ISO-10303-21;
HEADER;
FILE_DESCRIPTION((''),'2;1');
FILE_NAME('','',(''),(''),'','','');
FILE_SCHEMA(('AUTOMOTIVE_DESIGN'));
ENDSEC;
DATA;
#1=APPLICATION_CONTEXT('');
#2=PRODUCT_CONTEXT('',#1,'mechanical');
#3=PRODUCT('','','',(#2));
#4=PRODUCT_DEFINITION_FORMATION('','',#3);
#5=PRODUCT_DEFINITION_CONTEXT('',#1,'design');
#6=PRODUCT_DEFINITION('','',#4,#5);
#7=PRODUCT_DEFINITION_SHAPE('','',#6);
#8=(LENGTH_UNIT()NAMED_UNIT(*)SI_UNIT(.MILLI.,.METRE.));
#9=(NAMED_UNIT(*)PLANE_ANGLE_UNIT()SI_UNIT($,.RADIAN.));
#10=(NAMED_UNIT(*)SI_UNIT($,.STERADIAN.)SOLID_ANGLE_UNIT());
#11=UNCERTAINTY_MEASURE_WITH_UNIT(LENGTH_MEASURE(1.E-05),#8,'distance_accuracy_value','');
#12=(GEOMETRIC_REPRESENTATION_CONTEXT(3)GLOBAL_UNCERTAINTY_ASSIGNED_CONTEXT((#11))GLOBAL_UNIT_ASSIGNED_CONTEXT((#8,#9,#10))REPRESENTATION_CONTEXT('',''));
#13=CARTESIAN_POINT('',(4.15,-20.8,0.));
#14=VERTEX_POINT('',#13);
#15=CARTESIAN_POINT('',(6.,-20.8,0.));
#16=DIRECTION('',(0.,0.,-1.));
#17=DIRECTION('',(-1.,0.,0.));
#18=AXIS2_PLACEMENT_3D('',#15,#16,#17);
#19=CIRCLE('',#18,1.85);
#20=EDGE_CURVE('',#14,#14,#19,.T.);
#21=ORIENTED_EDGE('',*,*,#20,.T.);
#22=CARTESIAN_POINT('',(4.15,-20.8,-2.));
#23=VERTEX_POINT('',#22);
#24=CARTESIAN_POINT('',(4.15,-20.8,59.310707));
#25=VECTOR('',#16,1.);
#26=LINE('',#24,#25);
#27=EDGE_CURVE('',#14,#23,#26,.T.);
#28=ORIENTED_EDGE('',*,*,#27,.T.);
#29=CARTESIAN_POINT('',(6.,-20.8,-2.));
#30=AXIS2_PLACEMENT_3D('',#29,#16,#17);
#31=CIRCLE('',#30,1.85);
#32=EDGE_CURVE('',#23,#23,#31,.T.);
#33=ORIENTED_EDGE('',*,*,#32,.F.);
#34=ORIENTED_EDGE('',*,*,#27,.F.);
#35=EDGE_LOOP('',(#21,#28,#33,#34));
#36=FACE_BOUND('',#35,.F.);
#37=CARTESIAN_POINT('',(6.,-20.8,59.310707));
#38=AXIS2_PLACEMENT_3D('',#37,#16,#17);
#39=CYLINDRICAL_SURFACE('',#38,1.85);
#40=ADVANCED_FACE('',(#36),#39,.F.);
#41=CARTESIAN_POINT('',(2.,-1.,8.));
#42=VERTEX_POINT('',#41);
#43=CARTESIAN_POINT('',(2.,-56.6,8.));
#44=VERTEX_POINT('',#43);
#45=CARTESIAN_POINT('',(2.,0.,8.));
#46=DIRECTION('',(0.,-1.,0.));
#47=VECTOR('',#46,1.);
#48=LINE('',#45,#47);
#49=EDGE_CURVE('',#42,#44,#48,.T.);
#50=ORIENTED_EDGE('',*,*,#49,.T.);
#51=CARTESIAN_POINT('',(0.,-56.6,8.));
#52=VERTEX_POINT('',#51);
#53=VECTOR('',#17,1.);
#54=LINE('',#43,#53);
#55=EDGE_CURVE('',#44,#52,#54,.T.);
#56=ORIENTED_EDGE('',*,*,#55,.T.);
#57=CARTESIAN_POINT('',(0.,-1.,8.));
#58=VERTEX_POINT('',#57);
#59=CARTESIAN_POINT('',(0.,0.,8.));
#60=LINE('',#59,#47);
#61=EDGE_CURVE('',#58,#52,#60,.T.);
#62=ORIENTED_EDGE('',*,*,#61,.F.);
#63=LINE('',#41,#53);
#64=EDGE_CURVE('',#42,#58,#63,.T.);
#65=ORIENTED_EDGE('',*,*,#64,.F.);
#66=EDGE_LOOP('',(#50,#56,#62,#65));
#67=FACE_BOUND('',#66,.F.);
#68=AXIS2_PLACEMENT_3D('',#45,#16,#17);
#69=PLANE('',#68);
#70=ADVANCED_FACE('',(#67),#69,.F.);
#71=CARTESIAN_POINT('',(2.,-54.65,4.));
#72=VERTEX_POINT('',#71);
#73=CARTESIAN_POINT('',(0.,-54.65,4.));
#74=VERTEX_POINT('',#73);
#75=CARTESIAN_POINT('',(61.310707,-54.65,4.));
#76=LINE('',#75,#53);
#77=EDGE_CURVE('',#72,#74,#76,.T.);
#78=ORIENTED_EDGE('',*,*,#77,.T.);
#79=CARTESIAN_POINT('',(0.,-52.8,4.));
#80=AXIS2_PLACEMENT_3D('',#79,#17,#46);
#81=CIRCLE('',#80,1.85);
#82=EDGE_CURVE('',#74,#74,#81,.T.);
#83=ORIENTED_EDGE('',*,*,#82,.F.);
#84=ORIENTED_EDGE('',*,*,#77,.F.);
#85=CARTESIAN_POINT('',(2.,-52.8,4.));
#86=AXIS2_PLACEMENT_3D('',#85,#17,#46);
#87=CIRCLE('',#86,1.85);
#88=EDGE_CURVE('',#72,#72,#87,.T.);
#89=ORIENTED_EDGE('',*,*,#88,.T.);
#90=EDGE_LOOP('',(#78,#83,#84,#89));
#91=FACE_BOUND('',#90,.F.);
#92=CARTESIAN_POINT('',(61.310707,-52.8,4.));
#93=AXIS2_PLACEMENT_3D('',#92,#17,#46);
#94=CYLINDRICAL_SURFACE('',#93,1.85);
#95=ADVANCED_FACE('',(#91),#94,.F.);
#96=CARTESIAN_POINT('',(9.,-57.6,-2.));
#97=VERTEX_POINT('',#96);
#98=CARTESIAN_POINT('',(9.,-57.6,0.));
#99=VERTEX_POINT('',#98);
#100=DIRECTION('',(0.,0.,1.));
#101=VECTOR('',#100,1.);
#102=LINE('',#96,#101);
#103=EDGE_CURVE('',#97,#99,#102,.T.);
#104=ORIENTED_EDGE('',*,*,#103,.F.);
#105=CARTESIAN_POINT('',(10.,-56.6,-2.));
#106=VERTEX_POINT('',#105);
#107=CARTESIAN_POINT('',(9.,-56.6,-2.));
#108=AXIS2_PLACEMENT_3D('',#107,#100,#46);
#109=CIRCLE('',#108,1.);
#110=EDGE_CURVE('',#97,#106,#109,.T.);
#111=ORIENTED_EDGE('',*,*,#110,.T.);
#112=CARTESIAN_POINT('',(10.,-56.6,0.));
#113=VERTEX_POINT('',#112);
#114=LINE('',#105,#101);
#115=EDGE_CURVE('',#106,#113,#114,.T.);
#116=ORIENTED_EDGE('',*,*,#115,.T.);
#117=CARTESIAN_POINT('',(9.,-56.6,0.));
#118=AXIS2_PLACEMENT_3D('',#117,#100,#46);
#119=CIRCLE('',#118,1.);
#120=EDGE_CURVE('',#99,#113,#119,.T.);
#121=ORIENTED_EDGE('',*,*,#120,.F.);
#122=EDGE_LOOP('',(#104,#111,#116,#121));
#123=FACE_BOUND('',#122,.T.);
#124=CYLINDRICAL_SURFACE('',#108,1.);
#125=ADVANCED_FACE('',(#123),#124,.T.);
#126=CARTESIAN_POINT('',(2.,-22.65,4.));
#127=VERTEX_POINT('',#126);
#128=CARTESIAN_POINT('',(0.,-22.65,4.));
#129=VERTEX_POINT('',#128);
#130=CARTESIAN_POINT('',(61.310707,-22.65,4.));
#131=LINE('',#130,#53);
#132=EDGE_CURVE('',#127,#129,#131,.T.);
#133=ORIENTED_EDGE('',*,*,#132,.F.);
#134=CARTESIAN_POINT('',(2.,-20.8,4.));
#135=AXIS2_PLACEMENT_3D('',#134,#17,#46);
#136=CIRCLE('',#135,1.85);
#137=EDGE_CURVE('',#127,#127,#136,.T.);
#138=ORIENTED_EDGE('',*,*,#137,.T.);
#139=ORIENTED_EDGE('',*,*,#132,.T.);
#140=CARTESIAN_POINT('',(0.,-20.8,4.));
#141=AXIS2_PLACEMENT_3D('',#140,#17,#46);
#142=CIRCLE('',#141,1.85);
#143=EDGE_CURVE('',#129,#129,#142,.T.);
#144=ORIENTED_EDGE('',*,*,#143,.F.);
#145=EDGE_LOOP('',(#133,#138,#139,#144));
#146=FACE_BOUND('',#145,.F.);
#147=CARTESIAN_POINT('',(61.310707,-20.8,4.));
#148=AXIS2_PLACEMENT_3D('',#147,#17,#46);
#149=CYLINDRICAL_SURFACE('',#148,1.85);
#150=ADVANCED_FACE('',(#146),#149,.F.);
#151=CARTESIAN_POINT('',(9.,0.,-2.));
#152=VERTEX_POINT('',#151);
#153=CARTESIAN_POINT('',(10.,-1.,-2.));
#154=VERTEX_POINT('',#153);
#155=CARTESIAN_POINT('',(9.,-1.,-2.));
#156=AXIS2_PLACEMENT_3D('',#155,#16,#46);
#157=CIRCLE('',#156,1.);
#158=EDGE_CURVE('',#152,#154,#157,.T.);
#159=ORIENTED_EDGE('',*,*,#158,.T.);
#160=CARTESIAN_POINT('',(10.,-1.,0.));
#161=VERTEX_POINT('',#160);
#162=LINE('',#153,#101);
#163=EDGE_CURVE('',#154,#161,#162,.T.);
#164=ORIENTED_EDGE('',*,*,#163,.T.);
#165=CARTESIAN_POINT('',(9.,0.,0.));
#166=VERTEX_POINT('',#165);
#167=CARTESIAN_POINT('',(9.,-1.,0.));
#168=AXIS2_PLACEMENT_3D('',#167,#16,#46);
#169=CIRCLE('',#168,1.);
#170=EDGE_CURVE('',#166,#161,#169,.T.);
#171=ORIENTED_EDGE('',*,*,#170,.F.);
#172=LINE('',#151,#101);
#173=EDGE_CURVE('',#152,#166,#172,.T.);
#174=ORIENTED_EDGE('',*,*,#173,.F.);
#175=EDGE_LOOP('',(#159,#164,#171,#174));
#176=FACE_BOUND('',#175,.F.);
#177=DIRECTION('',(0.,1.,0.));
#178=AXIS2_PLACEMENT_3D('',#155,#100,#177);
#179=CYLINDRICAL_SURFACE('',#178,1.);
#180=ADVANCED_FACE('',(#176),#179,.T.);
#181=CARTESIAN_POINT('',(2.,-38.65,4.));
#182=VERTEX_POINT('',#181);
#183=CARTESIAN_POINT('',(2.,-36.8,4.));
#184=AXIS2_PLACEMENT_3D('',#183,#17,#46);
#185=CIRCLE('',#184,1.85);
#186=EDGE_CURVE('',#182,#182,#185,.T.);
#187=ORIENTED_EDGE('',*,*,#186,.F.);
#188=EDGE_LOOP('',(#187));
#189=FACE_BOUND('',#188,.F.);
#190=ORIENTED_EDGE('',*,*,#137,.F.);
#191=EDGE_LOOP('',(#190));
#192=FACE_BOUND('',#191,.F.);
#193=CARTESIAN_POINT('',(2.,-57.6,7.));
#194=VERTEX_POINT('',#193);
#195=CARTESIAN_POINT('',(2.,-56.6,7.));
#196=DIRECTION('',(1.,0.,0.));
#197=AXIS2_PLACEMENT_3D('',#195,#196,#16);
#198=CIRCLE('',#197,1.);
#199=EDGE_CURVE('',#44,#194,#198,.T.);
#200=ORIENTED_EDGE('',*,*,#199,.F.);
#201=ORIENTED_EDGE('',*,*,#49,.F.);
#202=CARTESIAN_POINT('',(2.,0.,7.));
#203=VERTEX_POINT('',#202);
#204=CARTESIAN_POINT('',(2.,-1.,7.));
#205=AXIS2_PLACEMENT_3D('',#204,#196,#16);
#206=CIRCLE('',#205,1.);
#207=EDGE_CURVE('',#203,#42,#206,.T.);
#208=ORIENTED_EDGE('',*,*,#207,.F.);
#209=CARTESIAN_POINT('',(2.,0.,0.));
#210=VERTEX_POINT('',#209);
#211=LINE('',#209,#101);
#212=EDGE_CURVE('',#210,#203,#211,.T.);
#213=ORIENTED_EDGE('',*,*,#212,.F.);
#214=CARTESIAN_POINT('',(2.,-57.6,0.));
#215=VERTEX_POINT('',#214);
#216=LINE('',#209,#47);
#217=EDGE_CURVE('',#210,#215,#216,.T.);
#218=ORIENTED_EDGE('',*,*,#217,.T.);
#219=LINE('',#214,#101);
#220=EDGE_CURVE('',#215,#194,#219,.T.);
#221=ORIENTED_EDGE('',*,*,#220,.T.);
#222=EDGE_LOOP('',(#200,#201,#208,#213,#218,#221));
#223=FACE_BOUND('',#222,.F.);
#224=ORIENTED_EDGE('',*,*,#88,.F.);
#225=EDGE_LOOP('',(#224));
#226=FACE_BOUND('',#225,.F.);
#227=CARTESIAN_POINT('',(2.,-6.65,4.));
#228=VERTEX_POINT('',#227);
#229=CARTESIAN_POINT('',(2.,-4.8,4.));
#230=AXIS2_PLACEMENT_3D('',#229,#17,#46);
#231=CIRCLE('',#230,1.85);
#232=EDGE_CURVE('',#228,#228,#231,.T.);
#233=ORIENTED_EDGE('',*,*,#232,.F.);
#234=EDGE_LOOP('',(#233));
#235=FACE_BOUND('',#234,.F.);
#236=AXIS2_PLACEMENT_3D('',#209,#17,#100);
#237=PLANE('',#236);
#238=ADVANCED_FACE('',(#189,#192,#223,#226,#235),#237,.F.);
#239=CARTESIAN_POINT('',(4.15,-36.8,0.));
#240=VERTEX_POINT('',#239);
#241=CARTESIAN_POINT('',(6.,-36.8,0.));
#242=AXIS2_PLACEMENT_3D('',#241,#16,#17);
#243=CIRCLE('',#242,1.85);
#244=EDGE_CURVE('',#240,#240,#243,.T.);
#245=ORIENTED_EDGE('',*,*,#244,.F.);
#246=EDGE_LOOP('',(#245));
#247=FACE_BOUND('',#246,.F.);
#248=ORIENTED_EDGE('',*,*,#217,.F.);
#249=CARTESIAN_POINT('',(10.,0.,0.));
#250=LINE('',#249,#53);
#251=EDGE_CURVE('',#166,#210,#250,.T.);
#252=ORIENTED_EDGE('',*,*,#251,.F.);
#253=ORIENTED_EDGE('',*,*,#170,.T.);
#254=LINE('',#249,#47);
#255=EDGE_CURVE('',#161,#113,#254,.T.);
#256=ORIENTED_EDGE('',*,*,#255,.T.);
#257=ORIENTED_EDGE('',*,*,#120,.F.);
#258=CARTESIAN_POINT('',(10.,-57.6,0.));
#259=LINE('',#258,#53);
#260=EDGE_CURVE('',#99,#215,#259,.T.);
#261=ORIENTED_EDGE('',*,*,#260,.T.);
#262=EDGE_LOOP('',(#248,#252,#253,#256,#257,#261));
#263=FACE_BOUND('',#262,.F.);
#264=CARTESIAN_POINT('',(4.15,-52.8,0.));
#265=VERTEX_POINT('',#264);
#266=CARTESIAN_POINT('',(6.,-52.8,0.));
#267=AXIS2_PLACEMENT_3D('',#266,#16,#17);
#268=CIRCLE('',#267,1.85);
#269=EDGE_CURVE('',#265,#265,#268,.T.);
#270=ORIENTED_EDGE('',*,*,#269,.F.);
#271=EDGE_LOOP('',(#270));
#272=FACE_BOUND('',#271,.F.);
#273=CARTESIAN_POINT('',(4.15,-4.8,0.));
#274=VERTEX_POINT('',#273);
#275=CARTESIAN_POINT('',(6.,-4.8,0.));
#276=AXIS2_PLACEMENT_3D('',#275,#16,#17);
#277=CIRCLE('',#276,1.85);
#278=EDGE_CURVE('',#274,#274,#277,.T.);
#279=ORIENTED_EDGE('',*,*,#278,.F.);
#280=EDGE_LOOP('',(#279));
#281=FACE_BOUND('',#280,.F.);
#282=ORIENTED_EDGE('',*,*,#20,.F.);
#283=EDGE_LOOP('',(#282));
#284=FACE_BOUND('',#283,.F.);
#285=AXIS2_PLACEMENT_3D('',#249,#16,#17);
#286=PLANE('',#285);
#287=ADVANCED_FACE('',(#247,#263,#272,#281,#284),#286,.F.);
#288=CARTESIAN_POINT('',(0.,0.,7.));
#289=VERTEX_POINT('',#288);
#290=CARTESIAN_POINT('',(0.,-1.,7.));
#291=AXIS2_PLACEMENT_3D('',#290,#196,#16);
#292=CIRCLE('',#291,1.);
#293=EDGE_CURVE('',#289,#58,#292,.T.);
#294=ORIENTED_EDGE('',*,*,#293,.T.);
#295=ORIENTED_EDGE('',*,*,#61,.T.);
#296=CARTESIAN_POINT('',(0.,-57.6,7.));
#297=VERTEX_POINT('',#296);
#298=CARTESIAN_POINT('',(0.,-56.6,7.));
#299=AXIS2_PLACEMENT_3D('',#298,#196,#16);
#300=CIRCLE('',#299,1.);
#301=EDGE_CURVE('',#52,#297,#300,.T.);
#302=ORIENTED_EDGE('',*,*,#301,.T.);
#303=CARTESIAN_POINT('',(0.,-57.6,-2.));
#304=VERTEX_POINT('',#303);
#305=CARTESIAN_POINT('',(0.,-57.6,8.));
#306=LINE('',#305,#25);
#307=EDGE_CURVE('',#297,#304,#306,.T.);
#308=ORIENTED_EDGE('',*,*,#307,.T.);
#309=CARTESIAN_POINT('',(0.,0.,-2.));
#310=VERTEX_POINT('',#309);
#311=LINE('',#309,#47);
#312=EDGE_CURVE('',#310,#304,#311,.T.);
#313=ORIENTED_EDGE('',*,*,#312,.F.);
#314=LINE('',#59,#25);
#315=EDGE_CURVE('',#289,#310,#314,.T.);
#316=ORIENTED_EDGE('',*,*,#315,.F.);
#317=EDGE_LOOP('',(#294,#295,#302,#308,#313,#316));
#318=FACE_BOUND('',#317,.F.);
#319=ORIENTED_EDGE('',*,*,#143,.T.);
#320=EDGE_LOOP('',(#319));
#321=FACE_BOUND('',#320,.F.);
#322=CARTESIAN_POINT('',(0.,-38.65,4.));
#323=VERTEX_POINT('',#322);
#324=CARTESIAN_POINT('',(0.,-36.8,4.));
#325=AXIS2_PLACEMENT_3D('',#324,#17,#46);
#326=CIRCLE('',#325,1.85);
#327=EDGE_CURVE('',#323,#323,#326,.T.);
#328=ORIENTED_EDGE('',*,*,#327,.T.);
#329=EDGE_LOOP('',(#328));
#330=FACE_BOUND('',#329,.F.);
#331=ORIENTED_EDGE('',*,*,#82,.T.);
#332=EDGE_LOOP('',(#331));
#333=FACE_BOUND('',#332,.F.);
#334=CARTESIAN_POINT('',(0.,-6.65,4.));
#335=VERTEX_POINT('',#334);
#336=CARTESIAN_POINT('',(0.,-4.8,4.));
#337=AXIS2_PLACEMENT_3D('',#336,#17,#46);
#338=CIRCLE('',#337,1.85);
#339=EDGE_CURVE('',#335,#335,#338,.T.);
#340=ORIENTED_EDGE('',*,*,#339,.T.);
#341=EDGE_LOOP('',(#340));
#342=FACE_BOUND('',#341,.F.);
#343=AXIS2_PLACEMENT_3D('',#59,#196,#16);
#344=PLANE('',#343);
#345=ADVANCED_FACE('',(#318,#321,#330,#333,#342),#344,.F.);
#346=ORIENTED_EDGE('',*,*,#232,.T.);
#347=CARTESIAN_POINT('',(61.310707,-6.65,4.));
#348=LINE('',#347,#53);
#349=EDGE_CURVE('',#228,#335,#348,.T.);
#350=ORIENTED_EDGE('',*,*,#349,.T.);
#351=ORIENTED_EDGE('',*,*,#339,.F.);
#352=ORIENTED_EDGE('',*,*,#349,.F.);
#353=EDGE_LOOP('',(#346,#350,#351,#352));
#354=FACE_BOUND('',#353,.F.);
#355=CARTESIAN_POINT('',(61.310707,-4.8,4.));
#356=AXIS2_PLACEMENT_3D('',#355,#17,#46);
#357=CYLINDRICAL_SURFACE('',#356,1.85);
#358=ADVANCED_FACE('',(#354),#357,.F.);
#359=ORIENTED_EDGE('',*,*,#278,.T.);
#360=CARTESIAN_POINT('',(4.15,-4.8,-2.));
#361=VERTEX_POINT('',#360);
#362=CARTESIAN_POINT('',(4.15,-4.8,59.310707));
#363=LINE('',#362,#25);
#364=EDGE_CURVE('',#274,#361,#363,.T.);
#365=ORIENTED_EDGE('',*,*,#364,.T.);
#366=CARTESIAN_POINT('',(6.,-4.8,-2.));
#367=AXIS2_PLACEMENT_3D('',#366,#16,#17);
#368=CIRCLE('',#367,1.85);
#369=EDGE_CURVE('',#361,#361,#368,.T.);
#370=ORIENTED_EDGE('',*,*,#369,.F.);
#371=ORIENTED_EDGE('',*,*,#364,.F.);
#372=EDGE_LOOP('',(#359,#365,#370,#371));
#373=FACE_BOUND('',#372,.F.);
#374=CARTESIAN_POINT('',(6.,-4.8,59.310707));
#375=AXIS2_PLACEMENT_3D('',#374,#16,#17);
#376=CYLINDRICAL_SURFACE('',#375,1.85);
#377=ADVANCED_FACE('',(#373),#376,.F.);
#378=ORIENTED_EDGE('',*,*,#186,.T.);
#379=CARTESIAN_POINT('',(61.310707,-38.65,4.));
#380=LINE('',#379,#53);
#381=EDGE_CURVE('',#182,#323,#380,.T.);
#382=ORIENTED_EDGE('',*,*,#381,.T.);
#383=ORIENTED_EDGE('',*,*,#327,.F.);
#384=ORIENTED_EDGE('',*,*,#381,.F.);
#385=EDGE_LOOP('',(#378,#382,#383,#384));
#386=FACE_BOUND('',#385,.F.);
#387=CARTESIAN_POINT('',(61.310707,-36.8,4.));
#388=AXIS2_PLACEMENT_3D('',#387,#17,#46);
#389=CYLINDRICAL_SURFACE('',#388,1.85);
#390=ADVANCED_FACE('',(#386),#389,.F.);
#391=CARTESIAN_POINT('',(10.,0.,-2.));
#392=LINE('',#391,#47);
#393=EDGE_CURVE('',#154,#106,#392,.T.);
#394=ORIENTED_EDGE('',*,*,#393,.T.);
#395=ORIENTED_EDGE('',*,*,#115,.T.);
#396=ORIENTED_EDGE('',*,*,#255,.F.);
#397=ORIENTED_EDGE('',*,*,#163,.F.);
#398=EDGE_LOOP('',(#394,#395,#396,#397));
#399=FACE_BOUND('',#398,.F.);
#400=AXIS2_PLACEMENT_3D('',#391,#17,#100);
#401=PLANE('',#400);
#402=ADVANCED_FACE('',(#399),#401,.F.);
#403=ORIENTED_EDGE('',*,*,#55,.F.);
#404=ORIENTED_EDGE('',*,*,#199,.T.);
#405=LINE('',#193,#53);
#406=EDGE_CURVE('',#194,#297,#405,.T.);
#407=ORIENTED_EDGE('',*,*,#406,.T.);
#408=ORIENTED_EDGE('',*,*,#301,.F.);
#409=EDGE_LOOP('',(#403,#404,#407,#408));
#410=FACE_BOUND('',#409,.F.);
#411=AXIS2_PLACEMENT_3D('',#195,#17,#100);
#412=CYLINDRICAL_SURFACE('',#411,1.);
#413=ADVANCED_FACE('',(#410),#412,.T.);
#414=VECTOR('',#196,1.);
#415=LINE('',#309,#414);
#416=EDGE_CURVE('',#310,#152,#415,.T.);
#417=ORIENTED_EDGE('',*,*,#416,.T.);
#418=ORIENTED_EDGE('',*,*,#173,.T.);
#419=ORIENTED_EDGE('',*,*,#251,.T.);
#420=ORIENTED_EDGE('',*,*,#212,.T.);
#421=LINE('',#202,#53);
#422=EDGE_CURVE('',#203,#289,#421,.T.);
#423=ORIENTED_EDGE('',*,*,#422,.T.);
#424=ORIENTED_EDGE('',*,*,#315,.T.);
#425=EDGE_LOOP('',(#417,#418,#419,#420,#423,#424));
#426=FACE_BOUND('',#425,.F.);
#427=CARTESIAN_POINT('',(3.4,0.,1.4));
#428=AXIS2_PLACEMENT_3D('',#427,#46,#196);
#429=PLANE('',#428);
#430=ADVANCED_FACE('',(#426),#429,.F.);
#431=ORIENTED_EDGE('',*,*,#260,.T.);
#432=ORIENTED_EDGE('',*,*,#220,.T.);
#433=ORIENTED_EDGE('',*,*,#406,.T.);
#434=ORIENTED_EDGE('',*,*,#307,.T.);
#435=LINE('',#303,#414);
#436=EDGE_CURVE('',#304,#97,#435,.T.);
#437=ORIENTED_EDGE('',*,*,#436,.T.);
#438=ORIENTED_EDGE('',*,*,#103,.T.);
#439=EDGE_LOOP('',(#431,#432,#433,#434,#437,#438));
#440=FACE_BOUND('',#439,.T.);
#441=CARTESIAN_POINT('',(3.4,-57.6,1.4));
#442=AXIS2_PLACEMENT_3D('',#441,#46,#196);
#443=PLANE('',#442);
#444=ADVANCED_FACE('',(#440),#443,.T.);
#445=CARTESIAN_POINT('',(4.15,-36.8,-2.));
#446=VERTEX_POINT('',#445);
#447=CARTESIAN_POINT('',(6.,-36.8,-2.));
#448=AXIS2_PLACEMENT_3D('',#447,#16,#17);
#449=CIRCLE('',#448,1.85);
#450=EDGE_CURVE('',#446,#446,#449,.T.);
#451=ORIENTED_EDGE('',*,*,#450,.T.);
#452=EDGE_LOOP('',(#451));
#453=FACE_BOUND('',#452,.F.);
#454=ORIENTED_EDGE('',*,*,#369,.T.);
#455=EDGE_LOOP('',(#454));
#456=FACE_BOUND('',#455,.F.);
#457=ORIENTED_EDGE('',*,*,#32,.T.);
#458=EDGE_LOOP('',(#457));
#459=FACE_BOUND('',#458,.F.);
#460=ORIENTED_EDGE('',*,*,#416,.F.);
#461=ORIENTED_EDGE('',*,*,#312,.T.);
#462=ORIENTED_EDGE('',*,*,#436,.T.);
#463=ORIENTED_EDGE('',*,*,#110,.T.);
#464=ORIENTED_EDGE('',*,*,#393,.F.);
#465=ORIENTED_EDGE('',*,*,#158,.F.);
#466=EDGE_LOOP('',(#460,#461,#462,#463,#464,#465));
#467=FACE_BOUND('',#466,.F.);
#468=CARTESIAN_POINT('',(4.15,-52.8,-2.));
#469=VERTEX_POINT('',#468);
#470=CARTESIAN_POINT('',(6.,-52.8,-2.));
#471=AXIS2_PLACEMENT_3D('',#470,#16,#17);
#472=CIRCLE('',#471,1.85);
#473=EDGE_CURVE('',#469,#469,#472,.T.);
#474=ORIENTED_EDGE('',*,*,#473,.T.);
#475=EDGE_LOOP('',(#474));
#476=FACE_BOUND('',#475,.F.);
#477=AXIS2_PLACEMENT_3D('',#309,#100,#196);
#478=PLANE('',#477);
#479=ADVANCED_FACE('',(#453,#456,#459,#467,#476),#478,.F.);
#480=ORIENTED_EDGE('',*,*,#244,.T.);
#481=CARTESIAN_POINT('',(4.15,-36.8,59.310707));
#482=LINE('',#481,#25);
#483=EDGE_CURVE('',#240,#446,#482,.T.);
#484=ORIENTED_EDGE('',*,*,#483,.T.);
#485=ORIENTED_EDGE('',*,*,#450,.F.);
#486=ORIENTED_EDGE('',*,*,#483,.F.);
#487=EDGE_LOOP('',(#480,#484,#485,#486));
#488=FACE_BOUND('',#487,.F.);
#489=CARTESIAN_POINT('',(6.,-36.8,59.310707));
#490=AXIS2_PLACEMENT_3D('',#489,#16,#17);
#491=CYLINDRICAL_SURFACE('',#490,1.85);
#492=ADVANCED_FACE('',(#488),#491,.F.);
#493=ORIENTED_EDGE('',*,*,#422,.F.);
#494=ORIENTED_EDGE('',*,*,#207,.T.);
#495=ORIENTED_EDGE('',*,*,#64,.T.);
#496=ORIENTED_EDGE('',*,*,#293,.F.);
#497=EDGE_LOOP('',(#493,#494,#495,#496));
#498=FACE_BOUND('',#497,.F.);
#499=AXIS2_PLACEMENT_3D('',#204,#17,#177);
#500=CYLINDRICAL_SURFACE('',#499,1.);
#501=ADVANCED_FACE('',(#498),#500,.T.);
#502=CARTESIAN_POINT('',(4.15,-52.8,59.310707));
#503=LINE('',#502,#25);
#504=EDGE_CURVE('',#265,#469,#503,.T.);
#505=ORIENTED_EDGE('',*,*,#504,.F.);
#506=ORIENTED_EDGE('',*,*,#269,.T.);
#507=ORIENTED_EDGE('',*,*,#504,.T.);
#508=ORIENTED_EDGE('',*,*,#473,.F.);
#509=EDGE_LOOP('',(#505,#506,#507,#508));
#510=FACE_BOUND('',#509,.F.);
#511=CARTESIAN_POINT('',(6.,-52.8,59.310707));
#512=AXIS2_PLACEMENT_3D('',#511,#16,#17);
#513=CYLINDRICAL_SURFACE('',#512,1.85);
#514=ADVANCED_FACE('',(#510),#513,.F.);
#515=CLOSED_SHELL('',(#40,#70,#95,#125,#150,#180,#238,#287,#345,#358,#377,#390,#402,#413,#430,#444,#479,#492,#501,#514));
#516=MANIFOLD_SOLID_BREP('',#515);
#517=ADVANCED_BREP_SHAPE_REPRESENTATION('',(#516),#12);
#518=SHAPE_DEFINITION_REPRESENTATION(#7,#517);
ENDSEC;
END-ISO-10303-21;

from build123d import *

# Parameters (mm, degrees)
F1_DEPTH = 57.6
F2_R     = 1
F3_R     = 1
F4_R     = 1
F5_R     = 1
F7_D     = 3.7
F9_D     = 3.7


with BuildPart() as f1:
    # F0 (on Front) → F1 (new body)
    with BuildSketch(Plane.XZ):
        Polygon((2, 8), (0, 8), (0, -2), (10, -2), (10, 0), (2, 0), align=None)
    extrude(amount=F1_DEPTH)

    # F2
    f2_edges = [f1.edges().sort_by_distance(p)[0] for p in [
        (1, -57.6, 8),
    ]]
    fillet(f2_edges, radius=F2_R)

    # F3
    f3_edges = [f1.edges().sort_by_distance(p)[0] for p in [
        (10, -57.6, -1),
    ]]
    fillet(f3_edges, radius=F3_R)

    # F4
    f4_edges = [f1.edges().sort_by_distance(p)[0] for p in [
        (1, 0, 8),
    ]]
    fillet(f4_edges, radius=F4_R)

    # F5
    f5_edges = [f1.edges().sort_by_distance(p)[0] for p in [
        (10, 0, -1),
    ]]
    fillet(f5_edges, radius=F5_R)

    # F7 (through all)
    with Locations(Plane.XY):
        with Locations((6, -52.8), (6, -36.8), (6, -20.8), (6, -4.8)):
            Hole(F7_D / 2)

    # F9 (through all)
    with Locations(Plane.YZ.offset(2)):
        with Locations((-52.8, 4), (-36.8, 4), (-20.8, 4), (-4.8, 4)):
            Hole(F9_D / 2)


solid = f1.part
